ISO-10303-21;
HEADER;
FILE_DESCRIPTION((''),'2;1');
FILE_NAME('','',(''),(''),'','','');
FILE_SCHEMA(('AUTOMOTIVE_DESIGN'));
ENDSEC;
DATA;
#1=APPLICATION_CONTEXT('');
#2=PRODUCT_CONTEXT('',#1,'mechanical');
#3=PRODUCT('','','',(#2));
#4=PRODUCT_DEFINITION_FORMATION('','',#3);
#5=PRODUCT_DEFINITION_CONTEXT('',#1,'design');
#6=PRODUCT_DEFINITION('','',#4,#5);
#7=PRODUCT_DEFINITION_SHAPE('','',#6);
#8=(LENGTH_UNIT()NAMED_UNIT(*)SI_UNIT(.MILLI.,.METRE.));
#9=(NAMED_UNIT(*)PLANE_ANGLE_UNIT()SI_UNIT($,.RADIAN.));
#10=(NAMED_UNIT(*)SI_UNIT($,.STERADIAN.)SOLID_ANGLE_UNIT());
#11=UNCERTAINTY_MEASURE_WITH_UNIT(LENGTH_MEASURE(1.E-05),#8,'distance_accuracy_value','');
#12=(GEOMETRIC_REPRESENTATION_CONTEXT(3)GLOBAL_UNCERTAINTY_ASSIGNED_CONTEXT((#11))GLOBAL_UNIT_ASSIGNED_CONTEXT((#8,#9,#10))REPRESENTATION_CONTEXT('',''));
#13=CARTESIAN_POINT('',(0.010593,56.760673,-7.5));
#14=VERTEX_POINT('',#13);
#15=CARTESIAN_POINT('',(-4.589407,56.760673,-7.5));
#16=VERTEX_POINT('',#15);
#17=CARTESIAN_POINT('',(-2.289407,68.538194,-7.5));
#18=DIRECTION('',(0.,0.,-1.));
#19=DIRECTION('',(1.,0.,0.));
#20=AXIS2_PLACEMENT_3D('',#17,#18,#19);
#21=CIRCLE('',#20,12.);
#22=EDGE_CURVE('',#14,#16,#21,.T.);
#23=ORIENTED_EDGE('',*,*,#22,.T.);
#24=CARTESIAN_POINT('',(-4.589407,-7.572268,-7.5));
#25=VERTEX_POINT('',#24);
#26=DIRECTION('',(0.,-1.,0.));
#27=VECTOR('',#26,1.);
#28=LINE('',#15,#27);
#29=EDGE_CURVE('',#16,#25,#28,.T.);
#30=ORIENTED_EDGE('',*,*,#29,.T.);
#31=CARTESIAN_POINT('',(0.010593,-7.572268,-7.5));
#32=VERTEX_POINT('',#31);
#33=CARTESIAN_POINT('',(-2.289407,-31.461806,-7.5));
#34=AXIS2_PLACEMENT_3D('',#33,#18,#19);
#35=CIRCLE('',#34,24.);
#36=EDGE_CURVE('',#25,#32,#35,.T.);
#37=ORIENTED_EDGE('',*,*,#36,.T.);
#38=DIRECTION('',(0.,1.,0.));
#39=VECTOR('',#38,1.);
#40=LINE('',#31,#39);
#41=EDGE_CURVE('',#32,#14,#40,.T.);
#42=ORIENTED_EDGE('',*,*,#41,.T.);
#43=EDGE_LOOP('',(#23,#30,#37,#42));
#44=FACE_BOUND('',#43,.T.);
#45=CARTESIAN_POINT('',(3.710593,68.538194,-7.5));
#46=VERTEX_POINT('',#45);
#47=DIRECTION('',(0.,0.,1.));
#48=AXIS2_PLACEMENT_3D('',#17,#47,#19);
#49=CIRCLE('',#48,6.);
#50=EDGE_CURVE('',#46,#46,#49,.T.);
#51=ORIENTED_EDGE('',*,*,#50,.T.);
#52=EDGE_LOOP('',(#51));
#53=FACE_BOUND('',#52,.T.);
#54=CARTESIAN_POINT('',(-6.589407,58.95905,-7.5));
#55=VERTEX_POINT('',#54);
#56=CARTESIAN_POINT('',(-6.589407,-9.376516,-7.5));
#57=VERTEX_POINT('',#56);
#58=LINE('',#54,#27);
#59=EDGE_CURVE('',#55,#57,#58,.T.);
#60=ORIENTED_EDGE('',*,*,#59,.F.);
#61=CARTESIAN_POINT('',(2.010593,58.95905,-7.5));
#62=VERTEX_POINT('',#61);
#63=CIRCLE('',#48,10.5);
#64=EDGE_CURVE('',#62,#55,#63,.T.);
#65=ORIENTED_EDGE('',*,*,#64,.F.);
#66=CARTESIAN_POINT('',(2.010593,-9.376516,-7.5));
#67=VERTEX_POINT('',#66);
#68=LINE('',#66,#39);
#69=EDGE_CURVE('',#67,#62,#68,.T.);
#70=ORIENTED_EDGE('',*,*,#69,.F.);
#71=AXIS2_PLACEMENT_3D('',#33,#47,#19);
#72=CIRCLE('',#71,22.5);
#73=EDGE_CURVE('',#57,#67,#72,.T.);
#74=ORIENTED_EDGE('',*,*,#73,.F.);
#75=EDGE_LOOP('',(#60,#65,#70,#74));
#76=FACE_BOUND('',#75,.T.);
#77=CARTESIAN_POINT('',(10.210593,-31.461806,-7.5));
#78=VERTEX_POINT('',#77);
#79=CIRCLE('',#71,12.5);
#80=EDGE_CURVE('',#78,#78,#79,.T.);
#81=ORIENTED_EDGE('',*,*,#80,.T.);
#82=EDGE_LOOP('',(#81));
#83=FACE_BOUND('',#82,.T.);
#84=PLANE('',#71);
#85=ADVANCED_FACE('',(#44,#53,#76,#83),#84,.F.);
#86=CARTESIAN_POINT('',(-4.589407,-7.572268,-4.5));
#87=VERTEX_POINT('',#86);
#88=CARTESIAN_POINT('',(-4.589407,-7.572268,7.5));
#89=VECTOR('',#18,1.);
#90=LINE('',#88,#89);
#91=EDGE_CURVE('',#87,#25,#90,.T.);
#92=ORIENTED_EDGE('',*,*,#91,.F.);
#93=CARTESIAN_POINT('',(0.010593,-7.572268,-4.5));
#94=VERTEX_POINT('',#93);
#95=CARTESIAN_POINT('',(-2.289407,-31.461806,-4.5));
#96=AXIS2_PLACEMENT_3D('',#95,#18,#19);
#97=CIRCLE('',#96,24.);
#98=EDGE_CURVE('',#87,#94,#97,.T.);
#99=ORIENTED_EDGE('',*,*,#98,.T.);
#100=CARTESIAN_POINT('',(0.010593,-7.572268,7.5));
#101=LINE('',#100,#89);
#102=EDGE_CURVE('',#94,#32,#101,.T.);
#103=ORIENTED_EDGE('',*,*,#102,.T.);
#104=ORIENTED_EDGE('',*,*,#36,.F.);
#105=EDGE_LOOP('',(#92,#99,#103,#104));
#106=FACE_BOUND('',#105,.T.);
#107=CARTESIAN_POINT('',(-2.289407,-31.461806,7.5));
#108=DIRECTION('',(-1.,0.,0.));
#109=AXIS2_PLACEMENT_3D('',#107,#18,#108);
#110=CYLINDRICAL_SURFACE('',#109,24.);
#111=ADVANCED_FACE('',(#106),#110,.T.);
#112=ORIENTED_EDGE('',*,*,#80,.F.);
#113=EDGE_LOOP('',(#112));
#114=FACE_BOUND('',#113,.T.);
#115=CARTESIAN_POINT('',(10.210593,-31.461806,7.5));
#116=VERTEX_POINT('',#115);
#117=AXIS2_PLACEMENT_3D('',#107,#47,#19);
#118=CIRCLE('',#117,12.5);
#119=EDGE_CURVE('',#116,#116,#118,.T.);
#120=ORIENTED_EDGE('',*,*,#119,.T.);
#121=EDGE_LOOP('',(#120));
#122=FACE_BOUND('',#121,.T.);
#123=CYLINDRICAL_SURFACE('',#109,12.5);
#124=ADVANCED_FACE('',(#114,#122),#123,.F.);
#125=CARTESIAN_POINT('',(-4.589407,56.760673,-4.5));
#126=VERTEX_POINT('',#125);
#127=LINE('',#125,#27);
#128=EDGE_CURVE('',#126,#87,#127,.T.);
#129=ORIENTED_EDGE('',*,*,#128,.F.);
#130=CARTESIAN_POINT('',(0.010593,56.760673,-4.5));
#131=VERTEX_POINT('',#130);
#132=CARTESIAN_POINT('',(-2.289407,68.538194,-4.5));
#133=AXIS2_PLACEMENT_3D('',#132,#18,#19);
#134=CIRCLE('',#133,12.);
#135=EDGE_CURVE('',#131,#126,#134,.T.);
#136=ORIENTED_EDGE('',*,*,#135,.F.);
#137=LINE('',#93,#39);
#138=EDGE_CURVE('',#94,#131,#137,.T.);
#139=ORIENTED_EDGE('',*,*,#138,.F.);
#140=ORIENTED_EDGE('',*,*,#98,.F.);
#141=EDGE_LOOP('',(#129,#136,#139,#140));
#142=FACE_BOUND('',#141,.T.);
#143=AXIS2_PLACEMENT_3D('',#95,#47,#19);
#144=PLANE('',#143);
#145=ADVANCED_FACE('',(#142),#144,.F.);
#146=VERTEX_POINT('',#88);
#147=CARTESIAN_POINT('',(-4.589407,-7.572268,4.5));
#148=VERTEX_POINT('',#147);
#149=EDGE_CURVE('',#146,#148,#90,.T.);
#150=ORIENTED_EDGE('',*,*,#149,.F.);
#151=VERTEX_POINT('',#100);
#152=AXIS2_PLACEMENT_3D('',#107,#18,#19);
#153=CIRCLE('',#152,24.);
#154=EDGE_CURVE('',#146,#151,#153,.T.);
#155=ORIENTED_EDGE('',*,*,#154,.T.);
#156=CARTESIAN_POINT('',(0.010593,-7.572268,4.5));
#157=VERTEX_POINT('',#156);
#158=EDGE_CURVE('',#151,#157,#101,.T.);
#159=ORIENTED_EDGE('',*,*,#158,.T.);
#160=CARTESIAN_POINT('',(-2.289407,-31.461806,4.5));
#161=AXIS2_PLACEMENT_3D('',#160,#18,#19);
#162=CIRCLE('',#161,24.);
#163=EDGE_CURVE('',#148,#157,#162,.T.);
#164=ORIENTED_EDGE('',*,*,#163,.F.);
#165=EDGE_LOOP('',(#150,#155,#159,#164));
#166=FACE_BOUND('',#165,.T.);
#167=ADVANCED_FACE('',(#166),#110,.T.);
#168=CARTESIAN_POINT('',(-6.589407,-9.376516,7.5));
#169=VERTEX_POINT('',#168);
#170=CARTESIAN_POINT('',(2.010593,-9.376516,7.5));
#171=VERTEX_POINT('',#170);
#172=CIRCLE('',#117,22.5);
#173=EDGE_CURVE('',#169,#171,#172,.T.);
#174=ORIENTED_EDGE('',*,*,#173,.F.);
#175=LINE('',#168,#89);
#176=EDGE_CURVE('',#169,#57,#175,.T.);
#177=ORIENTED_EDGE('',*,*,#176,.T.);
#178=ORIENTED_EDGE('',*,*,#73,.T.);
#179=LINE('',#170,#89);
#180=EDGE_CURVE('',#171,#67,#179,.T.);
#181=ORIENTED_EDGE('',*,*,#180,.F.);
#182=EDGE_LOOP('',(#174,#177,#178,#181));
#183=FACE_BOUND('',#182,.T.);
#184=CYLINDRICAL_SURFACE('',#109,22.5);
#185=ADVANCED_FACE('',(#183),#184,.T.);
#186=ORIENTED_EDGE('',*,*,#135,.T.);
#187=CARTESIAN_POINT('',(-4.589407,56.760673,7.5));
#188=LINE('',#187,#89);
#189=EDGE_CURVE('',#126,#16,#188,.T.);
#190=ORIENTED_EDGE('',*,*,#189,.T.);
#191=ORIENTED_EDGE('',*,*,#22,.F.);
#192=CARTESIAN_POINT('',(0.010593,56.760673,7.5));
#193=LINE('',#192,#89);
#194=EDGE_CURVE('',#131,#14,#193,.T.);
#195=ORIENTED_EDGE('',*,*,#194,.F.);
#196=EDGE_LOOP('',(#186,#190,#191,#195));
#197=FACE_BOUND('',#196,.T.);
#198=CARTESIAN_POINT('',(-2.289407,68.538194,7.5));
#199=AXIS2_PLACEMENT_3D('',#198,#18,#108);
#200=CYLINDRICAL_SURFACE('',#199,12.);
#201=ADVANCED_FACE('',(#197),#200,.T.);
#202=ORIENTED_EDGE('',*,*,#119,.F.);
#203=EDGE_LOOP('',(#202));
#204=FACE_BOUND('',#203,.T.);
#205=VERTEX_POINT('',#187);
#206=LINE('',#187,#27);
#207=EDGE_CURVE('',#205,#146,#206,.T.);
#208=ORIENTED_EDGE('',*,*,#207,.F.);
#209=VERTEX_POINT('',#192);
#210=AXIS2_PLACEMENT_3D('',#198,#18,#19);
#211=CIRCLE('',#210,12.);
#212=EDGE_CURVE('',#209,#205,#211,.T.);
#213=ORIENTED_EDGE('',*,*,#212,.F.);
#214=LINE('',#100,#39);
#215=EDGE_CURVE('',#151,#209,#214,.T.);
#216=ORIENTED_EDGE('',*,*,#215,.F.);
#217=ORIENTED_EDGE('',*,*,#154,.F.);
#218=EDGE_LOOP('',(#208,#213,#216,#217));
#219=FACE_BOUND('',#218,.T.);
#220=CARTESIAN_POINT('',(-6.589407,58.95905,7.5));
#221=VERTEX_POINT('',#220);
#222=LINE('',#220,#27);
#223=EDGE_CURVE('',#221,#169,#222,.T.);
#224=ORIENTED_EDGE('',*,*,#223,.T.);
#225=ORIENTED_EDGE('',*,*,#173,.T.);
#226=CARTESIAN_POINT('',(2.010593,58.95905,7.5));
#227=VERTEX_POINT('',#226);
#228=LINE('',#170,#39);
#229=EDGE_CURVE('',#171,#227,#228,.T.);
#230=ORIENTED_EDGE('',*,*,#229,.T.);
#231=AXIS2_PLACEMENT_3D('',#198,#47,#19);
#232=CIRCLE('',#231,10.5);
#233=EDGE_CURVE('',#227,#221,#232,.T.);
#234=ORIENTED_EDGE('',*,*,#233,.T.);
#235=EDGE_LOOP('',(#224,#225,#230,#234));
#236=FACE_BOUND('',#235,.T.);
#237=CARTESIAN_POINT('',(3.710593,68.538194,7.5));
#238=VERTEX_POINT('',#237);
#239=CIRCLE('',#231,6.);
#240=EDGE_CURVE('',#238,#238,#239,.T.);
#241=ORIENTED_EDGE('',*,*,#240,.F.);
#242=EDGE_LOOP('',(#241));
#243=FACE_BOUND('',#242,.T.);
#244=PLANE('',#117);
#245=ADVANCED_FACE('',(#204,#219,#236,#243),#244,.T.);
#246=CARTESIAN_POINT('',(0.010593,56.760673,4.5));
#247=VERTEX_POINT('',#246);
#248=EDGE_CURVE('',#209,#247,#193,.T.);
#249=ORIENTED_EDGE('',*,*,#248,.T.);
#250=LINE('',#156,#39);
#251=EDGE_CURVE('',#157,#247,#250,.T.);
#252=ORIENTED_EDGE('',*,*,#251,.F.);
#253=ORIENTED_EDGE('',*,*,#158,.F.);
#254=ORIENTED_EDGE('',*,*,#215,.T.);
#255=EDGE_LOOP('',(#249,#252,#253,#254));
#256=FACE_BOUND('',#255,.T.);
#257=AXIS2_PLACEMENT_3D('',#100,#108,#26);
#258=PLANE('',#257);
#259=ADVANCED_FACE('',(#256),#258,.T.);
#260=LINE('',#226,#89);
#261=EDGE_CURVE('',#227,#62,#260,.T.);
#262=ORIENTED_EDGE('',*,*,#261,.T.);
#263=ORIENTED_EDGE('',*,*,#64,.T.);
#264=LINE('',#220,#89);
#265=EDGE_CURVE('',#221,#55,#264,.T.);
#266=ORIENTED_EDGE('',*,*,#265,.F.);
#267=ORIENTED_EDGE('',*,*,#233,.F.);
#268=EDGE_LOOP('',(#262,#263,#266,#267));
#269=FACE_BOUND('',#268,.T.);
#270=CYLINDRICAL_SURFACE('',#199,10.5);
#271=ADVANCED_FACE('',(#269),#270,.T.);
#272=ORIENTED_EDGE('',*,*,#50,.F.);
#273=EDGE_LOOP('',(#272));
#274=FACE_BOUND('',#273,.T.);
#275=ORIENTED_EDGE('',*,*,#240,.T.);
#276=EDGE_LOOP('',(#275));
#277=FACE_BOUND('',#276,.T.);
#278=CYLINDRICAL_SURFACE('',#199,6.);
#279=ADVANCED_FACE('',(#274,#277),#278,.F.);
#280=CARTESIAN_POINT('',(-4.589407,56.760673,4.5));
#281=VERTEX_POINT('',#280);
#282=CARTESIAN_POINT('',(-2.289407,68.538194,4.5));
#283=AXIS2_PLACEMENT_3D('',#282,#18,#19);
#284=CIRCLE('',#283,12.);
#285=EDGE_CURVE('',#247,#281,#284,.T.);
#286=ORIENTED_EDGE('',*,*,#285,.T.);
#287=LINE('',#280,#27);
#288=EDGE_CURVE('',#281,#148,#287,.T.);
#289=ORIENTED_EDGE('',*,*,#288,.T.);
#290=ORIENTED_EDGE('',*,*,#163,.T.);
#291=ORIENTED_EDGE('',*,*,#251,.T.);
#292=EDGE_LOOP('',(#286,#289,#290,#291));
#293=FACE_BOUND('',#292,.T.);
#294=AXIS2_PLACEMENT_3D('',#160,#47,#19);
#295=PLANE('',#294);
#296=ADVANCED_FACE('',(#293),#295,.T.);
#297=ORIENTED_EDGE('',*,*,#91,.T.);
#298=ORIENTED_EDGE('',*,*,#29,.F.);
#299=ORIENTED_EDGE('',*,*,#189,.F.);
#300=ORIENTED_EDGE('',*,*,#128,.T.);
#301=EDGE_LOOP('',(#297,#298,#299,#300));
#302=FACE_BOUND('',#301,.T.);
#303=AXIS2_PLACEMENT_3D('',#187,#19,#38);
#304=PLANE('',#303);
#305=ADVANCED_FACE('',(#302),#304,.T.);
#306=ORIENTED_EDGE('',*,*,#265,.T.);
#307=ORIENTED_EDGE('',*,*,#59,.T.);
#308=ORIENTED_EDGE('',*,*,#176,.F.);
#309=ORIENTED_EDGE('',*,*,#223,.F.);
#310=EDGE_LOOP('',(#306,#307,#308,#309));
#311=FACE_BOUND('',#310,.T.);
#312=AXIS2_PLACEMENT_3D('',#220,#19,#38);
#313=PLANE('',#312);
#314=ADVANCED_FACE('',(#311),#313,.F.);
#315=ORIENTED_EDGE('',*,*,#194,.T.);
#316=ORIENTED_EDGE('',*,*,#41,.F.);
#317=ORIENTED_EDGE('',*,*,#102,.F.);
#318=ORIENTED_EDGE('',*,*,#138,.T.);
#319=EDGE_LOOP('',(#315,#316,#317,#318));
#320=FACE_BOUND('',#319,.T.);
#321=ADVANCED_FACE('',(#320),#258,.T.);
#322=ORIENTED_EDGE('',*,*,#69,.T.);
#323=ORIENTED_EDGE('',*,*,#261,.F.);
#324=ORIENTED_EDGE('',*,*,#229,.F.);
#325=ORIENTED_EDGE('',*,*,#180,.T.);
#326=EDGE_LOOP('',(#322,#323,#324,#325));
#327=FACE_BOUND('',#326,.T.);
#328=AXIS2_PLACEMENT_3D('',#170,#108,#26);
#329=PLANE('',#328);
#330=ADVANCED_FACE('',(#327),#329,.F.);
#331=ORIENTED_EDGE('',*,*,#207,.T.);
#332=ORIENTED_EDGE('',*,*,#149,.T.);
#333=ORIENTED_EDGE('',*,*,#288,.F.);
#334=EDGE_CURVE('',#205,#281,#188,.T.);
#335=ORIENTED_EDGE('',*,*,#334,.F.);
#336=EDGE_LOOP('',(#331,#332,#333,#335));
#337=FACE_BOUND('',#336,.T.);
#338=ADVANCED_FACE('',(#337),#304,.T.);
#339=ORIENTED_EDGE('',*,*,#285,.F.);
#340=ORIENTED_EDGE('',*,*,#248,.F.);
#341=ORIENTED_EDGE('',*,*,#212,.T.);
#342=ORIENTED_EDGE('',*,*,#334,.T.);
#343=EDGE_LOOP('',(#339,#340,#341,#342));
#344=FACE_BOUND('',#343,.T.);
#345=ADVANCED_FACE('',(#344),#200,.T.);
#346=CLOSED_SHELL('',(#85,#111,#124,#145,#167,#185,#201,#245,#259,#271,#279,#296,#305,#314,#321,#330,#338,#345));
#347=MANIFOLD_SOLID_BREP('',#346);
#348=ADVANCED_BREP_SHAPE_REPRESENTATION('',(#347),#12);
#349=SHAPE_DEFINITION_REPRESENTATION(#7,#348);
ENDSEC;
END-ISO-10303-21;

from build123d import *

# Parameters (mm, degrees)
SKETCH1_R           = 12.5
SKETCH1_R_2         = 6
BOSS_EXTRUDE2_DEPTH = 7.5
BOSS_EXTRUDE3_DEPTH = 4.5


with BuildPart() as part:
    # Sketch1 → Boss-Extrude2 (new body, symmetric)
    with BuildSketch(Plane.XY):
        with BuildLine():
            Line((2.01059306, -9.376516335), (2.01059306, 58.959050431))
            ThreePointArc((2.01059306, 58.959050431), (-2.28940694, 79.038194443), (-6.58940694, 58.959050431))
            Line((-6.58940694, 58.959050431), (-6.58940694, -9.376516335))
            ThreePointArc((-6.58940694, -9.376516335), (-2.28940694, -53.961805557), (2.01059306, -9.376516335))
        make_face()
        with Locations((-2.28940694, -31.461805557)):
            Circle(SKETCH1_R, mode=Mode.SUBTRACT)
        with Locations((-2.28940694, 68.538194443)):
            Circle(SKETCH1_R_2, mode=Mode.SUBTRACT)
        with BuildLine():
            Line((-4.58940694, 56.760673481), (-4.58940694, -7.572268098))
            ThreePointArc((-4.58940694, -7.572268098), (-2.28940694, -7.461805557), (0.01059306, -7.572268098))
            Line((0.01059306, -7.572268098), (0.01059306, 56.760673481))
            ThreePointArc((0.01059306, 56.760673481), (-2.28940694, 56.538194443), (-4.58940694, 56.760673481))
        make_face(mode=Mode.SUBTRACT)
    extrude(amount=BOSS_EXTRUDE2_DEPTH, both=True)

    # Sketch2 → Boss-Extrude3 (add, symmetric)
    with BuildSketch(Plane.XY):
        with BuildLine():
            Line((-4.58940694, 56.760673481), (-4.58940694, -7.572268098))
            ThreePointArc((-4.58940694, -7.572268098), (-2.28940694, -7.461805557), (0.01059306, -7.572268098))
            Line((0.01059306, -7.572268098), (0.01059306, 56.760673481))
            ThreePointArc((0.01059306, 56.760673481), (-2.28940694, 56.538194443), (-4.58940694, 56.760673481))
        make_face()
    extrude(amount=BOSS_EXTRUDE3_DEPTH, both=True)


solid = part.part
